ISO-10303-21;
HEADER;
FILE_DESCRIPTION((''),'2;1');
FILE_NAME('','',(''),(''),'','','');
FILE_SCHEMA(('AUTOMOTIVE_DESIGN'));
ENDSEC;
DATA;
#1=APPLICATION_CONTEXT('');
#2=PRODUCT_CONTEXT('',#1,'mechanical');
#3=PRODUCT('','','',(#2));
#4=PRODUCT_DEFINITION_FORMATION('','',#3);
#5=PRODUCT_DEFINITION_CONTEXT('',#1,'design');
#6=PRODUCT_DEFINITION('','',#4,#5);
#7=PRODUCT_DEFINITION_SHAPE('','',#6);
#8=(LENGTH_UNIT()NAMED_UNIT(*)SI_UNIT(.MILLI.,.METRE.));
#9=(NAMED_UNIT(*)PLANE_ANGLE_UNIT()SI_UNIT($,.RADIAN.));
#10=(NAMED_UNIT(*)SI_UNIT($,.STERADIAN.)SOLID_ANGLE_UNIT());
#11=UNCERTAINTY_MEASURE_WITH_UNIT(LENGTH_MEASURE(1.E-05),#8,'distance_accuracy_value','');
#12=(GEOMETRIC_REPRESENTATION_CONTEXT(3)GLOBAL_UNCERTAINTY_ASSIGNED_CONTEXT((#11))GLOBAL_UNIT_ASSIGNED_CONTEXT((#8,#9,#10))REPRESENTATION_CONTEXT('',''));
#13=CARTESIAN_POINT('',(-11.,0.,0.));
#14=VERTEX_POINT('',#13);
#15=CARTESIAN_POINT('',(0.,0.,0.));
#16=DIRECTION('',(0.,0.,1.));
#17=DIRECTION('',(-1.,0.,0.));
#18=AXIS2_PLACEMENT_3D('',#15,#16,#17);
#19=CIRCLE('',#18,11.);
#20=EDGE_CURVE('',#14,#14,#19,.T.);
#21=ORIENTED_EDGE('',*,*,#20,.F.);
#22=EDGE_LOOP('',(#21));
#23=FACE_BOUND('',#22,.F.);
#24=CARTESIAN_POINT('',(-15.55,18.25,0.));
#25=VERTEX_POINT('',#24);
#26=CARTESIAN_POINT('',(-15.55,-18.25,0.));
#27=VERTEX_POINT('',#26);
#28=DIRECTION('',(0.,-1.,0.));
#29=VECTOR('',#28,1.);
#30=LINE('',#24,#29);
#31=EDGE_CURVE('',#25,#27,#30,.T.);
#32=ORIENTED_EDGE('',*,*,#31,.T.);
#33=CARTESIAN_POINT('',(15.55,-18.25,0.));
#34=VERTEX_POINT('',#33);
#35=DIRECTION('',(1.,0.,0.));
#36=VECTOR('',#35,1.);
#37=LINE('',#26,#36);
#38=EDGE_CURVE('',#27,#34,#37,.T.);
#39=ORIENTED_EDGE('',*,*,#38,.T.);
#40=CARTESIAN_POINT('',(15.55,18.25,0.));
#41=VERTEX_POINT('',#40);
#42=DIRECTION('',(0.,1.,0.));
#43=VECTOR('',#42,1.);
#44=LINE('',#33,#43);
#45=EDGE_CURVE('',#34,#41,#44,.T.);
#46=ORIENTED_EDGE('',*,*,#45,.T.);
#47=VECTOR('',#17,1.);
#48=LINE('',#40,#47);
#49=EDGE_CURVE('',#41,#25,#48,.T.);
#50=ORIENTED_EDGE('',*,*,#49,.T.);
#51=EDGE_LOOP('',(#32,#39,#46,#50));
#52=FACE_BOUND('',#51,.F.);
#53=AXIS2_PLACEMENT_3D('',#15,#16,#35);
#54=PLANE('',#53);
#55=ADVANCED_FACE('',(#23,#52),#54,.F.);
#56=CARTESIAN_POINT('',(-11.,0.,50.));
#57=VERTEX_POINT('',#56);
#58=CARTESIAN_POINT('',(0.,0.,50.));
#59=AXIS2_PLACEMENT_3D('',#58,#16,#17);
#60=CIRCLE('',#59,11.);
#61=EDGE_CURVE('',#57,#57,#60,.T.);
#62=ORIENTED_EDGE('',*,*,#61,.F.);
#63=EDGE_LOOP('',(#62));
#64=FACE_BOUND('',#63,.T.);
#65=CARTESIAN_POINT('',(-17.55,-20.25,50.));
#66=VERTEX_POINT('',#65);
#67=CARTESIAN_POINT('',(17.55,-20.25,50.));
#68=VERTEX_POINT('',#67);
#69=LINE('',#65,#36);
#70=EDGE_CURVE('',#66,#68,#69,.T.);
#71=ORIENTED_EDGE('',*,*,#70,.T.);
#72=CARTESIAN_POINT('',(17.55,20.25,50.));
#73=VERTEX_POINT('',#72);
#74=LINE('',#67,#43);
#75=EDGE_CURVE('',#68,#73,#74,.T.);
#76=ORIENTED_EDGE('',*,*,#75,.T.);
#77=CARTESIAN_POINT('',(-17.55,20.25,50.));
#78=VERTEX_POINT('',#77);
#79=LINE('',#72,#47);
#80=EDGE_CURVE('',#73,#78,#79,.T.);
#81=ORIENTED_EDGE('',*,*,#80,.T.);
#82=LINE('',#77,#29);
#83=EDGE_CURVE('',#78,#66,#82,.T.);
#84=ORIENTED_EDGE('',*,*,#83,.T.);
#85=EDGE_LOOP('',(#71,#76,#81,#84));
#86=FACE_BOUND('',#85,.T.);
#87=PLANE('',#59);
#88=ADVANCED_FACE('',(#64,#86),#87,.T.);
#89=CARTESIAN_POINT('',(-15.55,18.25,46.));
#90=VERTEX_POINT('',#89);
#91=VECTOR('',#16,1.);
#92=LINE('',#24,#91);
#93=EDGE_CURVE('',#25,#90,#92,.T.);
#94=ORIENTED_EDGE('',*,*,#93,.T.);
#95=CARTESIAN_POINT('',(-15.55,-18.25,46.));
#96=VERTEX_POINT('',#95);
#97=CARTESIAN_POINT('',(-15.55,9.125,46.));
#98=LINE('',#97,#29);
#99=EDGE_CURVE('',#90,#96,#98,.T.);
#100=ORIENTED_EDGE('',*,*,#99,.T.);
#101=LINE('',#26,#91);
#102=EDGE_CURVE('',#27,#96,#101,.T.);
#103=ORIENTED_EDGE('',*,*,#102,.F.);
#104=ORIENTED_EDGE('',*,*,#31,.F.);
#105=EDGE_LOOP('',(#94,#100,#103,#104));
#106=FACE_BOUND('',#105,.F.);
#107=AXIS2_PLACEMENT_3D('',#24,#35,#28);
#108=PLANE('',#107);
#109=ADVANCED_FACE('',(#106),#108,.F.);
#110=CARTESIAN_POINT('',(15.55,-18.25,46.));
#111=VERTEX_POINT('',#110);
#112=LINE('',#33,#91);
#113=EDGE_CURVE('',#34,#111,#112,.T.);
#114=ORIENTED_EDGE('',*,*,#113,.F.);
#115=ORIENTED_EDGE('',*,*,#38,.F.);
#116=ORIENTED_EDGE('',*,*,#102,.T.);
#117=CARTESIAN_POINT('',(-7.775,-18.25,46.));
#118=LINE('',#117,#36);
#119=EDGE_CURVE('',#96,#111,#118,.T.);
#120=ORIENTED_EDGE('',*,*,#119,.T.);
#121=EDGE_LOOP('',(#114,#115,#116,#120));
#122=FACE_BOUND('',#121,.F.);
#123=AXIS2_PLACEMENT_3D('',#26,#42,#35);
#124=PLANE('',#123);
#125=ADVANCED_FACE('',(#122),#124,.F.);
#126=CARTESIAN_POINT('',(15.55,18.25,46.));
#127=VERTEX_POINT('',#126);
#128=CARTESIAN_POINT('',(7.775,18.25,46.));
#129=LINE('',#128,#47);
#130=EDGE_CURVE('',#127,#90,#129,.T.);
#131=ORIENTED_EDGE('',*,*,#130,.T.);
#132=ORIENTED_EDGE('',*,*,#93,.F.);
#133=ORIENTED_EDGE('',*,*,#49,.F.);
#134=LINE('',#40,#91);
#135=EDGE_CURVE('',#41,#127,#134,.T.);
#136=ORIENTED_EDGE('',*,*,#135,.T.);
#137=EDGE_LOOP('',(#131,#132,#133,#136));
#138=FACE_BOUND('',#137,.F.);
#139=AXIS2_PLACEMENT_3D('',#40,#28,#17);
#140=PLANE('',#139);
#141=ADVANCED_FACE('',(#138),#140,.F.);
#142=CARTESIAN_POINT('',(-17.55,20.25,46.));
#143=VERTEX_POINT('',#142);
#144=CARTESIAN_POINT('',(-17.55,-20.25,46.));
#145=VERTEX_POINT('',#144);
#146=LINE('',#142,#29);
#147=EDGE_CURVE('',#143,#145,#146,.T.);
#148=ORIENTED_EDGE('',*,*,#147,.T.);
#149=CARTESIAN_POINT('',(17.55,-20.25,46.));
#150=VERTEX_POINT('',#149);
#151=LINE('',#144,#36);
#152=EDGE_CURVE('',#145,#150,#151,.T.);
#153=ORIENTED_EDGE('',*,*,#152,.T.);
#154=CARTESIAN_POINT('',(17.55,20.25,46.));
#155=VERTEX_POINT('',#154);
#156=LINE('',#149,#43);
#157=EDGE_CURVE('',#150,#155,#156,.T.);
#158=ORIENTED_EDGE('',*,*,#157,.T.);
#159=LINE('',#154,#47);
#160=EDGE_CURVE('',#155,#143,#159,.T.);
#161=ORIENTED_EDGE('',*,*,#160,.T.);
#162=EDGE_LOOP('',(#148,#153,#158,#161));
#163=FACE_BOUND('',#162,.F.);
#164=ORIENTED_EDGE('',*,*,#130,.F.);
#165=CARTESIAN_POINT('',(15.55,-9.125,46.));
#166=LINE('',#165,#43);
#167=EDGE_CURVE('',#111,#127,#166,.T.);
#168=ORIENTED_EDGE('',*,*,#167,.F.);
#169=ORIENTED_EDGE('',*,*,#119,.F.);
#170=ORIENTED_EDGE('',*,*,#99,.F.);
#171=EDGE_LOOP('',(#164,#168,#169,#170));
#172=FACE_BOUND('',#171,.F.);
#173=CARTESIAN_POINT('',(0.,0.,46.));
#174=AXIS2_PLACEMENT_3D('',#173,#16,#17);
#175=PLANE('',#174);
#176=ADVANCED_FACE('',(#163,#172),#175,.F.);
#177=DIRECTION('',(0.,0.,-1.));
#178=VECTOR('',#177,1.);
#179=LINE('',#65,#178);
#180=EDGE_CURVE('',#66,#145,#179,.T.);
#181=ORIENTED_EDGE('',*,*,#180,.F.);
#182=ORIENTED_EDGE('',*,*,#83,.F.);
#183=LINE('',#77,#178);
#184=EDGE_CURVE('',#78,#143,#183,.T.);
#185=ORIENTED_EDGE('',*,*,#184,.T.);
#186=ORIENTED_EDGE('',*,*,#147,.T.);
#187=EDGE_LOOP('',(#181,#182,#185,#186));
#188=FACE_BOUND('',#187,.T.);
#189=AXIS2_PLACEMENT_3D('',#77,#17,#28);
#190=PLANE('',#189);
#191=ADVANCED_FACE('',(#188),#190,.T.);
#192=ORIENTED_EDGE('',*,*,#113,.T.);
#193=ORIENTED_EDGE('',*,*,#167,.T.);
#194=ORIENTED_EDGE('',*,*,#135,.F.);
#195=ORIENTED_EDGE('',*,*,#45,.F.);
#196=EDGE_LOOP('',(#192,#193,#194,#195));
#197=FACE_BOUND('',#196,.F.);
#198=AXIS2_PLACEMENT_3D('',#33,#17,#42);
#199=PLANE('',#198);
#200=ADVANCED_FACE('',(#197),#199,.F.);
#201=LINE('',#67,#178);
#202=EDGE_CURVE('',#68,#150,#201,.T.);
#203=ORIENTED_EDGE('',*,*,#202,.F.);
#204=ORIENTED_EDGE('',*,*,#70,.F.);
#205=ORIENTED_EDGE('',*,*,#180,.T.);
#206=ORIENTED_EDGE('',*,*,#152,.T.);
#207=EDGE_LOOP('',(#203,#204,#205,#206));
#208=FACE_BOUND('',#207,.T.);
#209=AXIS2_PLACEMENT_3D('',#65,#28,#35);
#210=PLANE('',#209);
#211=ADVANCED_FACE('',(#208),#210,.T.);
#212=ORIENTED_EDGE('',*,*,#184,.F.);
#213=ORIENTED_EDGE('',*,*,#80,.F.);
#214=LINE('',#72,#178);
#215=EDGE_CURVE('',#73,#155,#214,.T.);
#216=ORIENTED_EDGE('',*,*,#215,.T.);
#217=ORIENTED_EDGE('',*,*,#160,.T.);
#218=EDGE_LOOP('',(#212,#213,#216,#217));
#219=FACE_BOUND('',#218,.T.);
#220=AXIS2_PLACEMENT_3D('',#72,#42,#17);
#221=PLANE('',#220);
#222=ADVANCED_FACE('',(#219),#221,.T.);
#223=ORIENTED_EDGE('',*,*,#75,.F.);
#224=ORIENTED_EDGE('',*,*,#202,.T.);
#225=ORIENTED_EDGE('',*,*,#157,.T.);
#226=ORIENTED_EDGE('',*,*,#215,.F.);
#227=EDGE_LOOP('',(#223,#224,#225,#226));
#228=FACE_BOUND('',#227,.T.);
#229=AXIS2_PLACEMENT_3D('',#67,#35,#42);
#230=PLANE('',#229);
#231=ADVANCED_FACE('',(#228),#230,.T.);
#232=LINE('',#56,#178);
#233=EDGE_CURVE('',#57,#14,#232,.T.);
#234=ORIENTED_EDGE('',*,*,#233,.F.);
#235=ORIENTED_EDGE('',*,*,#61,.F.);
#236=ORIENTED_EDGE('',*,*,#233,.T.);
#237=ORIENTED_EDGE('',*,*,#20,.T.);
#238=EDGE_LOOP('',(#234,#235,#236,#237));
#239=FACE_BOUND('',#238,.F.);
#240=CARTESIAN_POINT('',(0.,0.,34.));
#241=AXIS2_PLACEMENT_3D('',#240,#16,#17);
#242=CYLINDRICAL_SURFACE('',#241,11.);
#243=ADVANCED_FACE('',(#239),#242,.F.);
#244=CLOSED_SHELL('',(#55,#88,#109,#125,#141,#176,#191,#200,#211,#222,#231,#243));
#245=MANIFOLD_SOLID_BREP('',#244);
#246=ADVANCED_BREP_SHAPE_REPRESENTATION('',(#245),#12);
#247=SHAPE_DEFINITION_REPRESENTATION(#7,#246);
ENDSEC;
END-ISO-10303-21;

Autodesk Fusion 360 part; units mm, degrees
sketch "Sketch1" plane through (0, 0, 0) normal (0, 0, 1) x (1, 0, 0)
  line L0 (15.55, 18.25) -> (-15.55, 18.25)
  line L1 (-15.55, 18.25) -> (-15.55, -18.25)
  line L2 (-15.55, -18.25) -> (15.55, -18.25)
  line L3 (15.55, -18.25) -> (15.55, 18.25)
  line L4 (15.55, 18.25) -> (-15.55, -18.25) construction
  line L5 (-15.55, 18.25) -> (15.55, -18.25) construction
  dimension "d1" = 31.1
  dimension "d2" = 36.5
extrude "Extrude1" add sketch "Sketch1" along normal blind 50
sketch "Sketch2" plane through (0, 0, 50) normal (0, 0, 1) x (-1, 0, 0)
  line L0 (-15.55, 18.25) -> (-15.55, -18.25)
  line L1 (-15.55, -18.25) -> (15.55, -18.25)
  line L2 (15.55, -18.25) -> (15.55, 18.25)
  line L3 (15.55, 18.25) -> (-15.55, 18.25)
  circle A0 centre (0, 0) radius 11
  dimension "d5" = 22
extrude "Extrude2" cut sketch "Sketch2" against normal blind 16 contours A0
extrude "Extrude3" cut 1 faces at (-2.9076, 1.5312, 34) along direction (0, 0, -1) blind 69.898
sketch "Sketch3" plane through (0, 0, 50) normal (0, 0, 1) x (-1, 0, 0)
  circle A0 centre (0, 0) radius 11
  line L0 (-15.55, 18.25) -> (-15.55, -18.25)
  line L1 (-15.55, -18.25) -> (15.55, -18.25)
  line L2 (15.55, -18.25) -> (15.55, 18.25)
  line L3 (15.55, 18.25) -> (-15.55, 18.25)
  line L4 (-17.55, -20.25) -> (17.55, -20.25)
  line L5 (17.55, -20.25) -> (17.55, 20.25)
  line L6 (17.55, 20.25) -> (-17.55, 20.25)
  line L7 (-17.55, 20.25) -> (-17.55, -20.25)
  dimension "d10" = 2
extrude "Extrude4" add sketch "Sketch3" against normal blind 4 contours L0 L1 L2 L3 | L4 L5 L6 L7
